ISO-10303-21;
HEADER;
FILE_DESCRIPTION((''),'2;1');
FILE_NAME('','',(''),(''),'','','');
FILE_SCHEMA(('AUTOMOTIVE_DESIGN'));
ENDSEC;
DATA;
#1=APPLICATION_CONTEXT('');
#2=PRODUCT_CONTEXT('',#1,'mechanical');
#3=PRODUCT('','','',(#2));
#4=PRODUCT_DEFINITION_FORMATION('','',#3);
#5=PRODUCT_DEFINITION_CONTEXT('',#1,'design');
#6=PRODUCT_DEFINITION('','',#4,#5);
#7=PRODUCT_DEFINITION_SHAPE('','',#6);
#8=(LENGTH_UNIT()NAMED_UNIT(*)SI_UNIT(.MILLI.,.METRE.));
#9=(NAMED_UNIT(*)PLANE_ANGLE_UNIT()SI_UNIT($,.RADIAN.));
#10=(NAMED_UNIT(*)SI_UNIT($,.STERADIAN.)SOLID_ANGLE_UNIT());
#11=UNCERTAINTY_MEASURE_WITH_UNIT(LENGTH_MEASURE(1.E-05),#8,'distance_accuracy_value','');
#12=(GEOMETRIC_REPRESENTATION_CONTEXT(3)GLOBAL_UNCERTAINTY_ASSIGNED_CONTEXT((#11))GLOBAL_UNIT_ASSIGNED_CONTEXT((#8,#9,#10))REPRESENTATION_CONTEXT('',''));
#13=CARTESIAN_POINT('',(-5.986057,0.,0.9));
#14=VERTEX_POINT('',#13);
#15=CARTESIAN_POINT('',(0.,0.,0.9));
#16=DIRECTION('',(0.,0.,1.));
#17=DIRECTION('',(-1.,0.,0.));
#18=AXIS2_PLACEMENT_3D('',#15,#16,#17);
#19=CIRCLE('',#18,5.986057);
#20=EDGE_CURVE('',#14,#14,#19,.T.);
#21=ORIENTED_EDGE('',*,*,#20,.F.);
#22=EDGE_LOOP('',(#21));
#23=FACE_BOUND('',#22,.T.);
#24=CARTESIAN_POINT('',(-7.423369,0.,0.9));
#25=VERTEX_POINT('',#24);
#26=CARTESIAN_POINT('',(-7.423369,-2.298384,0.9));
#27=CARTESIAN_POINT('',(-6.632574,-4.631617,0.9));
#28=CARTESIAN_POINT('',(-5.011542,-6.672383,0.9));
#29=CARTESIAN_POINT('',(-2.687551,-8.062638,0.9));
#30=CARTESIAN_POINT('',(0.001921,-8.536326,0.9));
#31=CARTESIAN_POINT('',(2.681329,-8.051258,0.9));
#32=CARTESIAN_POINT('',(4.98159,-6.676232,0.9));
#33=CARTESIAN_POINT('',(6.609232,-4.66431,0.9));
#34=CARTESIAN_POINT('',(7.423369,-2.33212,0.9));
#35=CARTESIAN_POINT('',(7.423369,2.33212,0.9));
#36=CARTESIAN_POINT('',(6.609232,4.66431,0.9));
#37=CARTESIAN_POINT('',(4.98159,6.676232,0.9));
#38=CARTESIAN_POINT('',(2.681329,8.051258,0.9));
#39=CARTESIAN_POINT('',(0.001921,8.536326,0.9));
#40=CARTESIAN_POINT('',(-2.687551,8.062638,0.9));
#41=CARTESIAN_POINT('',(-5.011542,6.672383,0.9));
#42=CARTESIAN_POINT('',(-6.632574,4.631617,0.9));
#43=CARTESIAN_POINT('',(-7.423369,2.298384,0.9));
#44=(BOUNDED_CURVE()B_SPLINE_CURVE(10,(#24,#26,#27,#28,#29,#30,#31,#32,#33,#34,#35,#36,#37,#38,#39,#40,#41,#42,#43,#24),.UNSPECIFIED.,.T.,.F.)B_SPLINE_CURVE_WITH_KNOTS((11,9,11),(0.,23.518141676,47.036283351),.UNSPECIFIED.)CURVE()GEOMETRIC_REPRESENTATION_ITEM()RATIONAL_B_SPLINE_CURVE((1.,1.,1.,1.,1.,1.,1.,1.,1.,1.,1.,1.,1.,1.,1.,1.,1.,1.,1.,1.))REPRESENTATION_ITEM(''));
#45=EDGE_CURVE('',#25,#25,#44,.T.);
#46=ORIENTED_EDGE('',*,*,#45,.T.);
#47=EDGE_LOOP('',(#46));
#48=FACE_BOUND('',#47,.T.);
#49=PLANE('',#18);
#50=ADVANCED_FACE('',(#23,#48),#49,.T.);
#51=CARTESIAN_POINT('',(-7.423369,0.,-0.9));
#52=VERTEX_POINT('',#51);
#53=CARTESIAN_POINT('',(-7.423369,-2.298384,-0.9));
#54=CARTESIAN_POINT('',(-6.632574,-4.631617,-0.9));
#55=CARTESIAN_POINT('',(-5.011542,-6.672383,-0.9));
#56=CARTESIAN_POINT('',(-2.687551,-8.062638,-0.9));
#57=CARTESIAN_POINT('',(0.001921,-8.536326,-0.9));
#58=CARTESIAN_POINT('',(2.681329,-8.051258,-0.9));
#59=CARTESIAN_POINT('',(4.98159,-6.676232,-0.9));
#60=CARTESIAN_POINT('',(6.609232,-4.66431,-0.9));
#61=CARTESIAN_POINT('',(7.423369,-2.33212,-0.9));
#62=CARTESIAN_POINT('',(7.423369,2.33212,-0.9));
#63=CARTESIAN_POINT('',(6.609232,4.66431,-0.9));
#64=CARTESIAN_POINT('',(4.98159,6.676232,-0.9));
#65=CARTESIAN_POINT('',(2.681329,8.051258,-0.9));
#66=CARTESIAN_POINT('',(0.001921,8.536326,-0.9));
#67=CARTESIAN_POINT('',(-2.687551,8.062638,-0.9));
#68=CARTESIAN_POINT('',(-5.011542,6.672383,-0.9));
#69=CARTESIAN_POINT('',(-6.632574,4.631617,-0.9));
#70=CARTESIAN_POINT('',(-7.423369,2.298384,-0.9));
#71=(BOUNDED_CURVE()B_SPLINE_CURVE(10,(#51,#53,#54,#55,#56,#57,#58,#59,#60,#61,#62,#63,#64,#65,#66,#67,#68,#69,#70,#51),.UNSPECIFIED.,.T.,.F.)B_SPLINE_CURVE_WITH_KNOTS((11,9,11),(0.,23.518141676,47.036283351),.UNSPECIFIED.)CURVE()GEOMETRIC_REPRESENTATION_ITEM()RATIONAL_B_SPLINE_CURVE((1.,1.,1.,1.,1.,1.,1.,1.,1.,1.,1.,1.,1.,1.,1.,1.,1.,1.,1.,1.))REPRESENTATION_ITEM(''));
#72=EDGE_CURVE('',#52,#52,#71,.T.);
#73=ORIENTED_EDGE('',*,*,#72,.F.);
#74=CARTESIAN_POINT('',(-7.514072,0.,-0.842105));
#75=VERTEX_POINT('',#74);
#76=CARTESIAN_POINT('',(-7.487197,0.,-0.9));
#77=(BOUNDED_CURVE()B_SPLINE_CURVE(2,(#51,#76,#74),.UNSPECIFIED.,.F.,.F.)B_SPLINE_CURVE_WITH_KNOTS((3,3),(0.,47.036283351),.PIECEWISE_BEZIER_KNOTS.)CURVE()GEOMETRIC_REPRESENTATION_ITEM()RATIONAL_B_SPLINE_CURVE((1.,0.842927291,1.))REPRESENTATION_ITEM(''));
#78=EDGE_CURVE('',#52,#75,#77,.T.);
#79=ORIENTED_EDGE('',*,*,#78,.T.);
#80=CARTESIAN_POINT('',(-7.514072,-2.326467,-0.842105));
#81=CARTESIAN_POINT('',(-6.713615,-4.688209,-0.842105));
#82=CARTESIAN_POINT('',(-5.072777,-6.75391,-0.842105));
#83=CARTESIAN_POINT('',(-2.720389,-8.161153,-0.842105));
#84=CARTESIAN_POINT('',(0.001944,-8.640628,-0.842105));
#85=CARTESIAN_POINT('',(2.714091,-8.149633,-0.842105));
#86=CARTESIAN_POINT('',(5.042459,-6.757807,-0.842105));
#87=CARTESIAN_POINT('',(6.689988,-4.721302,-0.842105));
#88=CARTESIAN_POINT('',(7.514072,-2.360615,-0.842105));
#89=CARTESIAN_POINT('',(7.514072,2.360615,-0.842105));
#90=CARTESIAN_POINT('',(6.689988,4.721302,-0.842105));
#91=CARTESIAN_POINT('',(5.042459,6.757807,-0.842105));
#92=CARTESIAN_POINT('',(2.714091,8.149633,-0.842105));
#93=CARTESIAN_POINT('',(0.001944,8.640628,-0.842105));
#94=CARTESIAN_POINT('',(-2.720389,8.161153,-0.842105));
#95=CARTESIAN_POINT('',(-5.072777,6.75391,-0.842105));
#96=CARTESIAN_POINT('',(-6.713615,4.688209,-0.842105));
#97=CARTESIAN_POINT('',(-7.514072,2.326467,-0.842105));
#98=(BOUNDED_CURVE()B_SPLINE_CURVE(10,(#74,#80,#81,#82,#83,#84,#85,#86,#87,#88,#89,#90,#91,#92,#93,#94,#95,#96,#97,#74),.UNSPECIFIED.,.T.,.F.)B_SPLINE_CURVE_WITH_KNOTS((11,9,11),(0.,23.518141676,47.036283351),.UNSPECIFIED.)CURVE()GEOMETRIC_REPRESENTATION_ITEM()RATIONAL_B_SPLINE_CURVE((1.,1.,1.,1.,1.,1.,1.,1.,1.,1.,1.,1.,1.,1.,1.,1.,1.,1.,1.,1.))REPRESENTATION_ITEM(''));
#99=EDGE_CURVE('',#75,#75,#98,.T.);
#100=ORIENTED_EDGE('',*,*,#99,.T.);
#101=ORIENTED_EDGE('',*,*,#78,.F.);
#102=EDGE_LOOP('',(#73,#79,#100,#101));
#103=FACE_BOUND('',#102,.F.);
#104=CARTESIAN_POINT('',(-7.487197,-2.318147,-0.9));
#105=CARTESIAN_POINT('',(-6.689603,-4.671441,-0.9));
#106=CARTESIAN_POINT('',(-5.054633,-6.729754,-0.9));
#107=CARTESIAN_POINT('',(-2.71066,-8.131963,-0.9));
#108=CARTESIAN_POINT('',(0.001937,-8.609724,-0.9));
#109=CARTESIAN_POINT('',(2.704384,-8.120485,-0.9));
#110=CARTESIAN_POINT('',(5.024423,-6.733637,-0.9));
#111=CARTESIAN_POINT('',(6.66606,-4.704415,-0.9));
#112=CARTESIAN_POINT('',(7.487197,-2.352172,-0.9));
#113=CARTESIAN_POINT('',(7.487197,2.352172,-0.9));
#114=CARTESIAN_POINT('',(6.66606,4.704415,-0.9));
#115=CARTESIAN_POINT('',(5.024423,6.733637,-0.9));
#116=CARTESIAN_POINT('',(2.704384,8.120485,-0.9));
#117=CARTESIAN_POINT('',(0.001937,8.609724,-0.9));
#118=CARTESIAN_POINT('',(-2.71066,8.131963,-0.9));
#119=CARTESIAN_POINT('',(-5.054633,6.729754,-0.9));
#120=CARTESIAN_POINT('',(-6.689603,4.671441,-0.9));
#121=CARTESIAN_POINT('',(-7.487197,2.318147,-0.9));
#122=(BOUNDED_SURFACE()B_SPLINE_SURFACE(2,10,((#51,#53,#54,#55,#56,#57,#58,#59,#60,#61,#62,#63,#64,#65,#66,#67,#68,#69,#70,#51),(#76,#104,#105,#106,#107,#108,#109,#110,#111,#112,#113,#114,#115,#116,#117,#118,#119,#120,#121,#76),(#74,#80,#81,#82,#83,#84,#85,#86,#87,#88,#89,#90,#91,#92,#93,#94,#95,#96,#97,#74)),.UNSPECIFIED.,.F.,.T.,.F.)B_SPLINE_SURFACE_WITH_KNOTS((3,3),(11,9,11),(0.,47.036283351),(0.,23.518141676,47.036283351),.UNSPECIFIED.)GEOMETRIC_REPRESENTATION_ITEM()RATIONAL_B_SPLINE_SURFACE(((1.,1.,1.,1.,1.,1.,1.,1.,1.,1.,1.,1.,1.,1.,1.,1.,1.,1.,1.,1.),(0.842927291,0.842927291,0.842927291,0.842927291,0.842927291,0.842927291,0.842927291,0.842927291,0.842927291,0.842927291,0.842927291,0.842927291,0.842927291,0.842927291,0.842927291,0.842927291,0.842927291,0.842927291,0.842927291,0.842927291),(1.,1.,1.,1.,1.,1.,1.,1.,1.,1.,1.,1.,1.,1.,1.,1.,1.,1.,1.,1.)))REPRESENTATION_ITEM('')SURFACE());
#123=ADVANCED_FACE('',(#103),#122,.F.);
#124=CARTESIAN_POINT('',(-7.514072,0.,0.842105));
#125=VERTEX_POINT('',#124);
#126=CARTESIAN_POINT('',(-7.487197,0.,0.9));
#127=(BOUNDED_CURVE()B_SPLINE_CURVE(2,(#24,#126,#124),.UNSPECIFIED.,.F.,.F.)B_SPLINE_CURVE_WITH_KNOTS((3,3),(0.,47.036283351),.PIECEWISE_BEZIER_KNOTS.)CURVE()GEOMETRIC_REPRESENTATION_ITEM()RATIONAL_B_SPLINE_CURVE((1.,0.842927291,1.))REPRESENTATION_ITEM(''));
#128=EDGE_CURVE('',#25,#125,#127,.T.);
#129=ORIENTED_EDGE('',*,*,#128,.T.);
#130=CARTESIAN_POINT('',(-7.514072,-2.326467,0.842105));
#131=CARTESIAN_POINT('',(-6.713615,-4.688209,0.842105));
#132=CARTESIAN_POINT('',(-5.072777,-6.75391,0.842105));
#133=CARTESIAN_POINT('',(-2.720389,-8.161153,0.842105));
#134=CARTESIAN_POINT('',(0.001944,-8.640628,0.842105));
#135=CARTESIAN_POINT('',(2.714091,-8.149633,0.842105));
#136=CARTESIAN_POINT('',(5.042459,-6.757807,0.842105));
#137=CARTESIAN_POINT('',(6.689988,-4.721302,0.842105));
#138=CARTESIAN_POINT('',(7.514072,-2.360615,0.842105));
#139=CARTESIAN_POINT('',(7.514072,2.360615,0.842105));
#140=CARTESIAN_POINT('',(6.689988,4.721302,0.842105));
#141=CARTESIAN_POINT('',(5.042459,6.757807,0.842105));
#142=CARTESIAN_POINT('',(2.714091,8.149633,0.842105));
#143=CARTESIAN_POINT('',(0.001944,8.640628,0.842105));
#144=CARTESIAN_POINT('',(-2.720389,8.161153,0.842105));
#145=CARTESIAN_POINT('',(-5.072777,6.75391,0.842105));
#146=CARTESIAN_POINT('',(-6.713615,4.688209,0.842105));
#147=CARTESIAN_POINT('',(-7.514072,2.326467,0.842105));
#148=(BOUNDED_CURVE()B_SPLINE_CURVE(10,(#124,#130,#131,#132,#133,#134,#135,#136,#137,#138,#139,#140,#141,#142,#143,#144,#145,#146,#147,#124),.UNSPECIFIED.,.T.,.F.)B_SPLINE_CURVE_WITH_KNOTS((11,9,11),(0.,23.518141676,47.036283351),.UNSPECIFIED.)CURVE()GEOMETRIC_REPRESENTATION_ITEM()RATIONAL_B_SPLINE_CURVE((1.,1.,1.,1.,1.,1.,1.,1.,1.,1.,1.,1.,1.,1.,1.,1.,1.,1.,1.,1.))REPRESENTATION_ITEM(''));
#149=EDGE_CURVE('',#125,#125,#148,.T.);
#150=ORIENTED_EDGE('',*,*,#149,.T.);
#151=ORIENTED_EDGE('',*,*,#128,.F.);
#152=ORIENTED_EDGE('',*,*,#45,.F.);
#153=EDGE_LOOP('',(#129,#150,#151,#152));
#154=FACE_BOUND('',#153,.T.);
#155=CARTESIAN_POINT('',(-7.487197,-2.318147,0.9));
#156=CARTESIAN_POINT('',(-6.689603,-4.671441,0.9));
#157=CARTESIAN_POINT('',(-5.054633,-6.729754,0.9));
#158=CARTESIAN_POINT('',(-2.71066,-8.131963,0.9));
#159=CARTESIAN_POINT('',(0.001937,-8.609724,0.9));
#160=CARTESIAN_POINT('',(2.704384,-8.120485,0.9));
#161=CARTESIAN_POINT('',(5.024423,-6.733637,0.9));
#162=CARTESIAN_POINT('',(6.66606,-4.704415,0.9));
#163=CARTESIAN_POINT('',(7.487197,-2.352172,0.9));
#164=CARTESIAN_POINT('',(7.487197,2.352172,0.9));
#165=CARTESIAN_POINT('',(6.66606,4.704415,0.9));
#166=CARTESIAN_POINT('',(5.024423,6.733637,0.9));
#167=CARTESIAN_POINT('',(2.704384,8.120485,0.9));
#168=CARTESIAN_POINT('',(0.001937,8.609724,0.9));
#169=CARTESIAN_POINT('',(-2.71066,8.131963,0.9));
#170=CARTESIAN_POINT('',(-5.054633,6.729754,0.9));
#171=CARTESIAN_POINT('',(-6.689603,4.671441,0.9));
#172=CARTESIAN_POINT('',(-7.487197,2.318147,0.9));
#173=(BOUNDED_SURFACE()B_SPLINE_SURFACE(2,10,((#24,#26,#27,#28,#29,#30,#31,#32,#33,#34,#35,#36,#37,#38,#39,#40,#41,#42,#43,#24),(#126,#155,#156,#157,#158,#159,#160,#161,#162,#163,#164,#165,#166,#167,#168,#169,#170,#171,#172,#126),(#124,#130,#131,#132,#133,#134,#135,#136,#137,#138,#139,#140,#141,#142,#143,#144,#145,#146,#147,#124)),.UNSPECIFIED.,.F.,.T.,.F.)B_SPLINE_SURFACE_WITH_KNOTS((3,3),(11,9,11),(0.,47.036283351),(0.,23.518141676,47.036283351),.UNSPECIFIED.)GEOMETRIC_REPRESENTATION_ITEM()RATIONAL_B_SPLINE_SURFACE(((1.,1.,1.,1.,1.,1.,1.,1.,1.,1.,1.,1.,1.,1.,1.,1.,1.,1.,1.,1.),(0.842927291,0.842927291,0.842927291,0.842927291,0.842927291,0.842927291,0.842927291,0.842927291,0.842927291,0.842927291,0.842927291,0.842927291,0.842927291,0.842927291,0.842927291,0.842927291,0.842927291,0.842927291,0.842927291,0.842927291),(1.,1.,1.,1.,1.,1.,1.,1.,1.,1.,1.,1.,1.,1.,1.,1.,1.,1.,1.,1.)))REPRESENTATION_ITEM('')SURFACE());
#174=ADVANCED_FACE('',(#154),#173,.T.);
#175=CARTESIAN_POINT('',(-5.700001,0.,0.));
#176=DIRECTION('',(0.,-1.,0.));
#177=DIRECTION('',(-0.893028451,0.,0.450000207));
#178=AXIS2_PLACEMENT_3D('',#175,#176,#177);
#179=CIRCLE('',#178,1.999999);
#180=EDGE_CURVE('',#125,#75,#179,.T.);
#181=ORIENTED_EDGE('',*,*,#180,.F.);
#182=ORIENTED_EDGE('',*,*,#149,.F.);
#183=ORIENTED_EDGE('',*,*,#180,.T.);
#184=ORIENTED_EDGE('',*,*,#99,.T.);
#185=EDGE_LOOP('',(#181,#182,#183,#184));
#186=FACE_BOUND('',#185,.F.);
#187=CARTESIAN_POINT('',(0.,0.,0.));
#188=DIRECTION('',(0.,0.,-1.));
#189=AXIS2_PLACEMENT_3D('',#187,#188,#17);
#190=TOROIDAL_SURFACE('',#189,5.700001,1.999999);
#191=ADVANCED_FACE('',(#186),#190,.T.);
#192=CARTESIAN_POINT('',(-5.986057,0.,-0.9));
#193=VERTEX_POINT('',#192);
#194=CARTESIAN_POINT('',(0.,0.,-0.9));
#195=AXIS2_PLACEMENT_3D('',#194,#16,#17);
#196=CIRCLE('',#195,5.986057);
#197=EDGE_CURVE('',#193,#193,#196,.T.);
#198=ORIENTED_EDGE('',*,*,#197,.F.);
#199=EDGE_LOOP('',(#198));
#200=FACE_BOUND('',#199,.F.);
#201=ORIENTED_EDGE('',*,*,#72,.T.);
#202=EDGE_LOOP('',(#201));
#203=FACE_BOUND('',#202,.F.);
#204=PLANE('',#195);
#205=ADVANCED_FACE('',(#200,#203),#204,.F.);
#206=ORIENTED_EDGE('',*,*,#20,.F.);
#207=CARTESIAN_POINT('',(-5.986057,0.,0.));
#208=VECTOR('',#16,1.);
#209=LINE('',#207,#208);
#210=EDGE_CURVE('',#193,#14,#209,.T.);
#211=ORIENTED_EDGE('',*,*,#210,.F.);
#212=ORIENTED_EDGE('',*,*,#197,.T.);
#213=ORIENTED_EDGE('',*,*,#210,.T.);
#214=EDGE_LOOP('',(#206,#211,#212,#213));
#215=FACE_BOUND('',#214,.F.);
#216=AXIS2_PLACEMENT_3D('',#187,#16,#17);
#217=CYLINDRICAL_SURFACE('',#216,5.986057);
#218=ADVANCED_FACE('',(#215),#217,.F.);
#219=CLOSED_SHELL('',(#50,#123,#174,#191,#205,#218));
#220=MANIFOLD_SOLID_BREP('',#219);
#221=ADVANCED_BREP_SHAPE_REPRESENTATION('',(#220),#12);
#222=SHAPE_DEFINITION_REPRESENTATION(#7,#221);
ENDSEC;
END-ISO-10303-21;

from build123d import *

# Parameters (mm, degrees)
F0_W = 1.5
F0_H = 1.8
F2_R = 0.1


with BuildPart() as f1:
    # F0 (on Front) → F1 (revolve)
    with BuildSketch(Plane.XZ):
        with Locations((-6.736057, 0)):
            Rectangle(F0_W, F0_H)
        with BuildLine():
            Line((-7.486057, -0.9), (-7.486057, 0.9))
            ThreePointArc((-7.486057, 0.9), (-7.7, 0), (-7.486057, -0.9))
        make_face()
    revolve(axis=Axis((0, 0, 4.816466), (0, 0, 1)))

    # F2
    f2_edges = [f1.edges().sort_by_distance(p)[0] for p in [
        (7.486057, 0, 0.9),
        (7.486057, 0, -0.9),
    ]]
    fillet(f2_edges, radius=F2_R)


solid = f1.part
